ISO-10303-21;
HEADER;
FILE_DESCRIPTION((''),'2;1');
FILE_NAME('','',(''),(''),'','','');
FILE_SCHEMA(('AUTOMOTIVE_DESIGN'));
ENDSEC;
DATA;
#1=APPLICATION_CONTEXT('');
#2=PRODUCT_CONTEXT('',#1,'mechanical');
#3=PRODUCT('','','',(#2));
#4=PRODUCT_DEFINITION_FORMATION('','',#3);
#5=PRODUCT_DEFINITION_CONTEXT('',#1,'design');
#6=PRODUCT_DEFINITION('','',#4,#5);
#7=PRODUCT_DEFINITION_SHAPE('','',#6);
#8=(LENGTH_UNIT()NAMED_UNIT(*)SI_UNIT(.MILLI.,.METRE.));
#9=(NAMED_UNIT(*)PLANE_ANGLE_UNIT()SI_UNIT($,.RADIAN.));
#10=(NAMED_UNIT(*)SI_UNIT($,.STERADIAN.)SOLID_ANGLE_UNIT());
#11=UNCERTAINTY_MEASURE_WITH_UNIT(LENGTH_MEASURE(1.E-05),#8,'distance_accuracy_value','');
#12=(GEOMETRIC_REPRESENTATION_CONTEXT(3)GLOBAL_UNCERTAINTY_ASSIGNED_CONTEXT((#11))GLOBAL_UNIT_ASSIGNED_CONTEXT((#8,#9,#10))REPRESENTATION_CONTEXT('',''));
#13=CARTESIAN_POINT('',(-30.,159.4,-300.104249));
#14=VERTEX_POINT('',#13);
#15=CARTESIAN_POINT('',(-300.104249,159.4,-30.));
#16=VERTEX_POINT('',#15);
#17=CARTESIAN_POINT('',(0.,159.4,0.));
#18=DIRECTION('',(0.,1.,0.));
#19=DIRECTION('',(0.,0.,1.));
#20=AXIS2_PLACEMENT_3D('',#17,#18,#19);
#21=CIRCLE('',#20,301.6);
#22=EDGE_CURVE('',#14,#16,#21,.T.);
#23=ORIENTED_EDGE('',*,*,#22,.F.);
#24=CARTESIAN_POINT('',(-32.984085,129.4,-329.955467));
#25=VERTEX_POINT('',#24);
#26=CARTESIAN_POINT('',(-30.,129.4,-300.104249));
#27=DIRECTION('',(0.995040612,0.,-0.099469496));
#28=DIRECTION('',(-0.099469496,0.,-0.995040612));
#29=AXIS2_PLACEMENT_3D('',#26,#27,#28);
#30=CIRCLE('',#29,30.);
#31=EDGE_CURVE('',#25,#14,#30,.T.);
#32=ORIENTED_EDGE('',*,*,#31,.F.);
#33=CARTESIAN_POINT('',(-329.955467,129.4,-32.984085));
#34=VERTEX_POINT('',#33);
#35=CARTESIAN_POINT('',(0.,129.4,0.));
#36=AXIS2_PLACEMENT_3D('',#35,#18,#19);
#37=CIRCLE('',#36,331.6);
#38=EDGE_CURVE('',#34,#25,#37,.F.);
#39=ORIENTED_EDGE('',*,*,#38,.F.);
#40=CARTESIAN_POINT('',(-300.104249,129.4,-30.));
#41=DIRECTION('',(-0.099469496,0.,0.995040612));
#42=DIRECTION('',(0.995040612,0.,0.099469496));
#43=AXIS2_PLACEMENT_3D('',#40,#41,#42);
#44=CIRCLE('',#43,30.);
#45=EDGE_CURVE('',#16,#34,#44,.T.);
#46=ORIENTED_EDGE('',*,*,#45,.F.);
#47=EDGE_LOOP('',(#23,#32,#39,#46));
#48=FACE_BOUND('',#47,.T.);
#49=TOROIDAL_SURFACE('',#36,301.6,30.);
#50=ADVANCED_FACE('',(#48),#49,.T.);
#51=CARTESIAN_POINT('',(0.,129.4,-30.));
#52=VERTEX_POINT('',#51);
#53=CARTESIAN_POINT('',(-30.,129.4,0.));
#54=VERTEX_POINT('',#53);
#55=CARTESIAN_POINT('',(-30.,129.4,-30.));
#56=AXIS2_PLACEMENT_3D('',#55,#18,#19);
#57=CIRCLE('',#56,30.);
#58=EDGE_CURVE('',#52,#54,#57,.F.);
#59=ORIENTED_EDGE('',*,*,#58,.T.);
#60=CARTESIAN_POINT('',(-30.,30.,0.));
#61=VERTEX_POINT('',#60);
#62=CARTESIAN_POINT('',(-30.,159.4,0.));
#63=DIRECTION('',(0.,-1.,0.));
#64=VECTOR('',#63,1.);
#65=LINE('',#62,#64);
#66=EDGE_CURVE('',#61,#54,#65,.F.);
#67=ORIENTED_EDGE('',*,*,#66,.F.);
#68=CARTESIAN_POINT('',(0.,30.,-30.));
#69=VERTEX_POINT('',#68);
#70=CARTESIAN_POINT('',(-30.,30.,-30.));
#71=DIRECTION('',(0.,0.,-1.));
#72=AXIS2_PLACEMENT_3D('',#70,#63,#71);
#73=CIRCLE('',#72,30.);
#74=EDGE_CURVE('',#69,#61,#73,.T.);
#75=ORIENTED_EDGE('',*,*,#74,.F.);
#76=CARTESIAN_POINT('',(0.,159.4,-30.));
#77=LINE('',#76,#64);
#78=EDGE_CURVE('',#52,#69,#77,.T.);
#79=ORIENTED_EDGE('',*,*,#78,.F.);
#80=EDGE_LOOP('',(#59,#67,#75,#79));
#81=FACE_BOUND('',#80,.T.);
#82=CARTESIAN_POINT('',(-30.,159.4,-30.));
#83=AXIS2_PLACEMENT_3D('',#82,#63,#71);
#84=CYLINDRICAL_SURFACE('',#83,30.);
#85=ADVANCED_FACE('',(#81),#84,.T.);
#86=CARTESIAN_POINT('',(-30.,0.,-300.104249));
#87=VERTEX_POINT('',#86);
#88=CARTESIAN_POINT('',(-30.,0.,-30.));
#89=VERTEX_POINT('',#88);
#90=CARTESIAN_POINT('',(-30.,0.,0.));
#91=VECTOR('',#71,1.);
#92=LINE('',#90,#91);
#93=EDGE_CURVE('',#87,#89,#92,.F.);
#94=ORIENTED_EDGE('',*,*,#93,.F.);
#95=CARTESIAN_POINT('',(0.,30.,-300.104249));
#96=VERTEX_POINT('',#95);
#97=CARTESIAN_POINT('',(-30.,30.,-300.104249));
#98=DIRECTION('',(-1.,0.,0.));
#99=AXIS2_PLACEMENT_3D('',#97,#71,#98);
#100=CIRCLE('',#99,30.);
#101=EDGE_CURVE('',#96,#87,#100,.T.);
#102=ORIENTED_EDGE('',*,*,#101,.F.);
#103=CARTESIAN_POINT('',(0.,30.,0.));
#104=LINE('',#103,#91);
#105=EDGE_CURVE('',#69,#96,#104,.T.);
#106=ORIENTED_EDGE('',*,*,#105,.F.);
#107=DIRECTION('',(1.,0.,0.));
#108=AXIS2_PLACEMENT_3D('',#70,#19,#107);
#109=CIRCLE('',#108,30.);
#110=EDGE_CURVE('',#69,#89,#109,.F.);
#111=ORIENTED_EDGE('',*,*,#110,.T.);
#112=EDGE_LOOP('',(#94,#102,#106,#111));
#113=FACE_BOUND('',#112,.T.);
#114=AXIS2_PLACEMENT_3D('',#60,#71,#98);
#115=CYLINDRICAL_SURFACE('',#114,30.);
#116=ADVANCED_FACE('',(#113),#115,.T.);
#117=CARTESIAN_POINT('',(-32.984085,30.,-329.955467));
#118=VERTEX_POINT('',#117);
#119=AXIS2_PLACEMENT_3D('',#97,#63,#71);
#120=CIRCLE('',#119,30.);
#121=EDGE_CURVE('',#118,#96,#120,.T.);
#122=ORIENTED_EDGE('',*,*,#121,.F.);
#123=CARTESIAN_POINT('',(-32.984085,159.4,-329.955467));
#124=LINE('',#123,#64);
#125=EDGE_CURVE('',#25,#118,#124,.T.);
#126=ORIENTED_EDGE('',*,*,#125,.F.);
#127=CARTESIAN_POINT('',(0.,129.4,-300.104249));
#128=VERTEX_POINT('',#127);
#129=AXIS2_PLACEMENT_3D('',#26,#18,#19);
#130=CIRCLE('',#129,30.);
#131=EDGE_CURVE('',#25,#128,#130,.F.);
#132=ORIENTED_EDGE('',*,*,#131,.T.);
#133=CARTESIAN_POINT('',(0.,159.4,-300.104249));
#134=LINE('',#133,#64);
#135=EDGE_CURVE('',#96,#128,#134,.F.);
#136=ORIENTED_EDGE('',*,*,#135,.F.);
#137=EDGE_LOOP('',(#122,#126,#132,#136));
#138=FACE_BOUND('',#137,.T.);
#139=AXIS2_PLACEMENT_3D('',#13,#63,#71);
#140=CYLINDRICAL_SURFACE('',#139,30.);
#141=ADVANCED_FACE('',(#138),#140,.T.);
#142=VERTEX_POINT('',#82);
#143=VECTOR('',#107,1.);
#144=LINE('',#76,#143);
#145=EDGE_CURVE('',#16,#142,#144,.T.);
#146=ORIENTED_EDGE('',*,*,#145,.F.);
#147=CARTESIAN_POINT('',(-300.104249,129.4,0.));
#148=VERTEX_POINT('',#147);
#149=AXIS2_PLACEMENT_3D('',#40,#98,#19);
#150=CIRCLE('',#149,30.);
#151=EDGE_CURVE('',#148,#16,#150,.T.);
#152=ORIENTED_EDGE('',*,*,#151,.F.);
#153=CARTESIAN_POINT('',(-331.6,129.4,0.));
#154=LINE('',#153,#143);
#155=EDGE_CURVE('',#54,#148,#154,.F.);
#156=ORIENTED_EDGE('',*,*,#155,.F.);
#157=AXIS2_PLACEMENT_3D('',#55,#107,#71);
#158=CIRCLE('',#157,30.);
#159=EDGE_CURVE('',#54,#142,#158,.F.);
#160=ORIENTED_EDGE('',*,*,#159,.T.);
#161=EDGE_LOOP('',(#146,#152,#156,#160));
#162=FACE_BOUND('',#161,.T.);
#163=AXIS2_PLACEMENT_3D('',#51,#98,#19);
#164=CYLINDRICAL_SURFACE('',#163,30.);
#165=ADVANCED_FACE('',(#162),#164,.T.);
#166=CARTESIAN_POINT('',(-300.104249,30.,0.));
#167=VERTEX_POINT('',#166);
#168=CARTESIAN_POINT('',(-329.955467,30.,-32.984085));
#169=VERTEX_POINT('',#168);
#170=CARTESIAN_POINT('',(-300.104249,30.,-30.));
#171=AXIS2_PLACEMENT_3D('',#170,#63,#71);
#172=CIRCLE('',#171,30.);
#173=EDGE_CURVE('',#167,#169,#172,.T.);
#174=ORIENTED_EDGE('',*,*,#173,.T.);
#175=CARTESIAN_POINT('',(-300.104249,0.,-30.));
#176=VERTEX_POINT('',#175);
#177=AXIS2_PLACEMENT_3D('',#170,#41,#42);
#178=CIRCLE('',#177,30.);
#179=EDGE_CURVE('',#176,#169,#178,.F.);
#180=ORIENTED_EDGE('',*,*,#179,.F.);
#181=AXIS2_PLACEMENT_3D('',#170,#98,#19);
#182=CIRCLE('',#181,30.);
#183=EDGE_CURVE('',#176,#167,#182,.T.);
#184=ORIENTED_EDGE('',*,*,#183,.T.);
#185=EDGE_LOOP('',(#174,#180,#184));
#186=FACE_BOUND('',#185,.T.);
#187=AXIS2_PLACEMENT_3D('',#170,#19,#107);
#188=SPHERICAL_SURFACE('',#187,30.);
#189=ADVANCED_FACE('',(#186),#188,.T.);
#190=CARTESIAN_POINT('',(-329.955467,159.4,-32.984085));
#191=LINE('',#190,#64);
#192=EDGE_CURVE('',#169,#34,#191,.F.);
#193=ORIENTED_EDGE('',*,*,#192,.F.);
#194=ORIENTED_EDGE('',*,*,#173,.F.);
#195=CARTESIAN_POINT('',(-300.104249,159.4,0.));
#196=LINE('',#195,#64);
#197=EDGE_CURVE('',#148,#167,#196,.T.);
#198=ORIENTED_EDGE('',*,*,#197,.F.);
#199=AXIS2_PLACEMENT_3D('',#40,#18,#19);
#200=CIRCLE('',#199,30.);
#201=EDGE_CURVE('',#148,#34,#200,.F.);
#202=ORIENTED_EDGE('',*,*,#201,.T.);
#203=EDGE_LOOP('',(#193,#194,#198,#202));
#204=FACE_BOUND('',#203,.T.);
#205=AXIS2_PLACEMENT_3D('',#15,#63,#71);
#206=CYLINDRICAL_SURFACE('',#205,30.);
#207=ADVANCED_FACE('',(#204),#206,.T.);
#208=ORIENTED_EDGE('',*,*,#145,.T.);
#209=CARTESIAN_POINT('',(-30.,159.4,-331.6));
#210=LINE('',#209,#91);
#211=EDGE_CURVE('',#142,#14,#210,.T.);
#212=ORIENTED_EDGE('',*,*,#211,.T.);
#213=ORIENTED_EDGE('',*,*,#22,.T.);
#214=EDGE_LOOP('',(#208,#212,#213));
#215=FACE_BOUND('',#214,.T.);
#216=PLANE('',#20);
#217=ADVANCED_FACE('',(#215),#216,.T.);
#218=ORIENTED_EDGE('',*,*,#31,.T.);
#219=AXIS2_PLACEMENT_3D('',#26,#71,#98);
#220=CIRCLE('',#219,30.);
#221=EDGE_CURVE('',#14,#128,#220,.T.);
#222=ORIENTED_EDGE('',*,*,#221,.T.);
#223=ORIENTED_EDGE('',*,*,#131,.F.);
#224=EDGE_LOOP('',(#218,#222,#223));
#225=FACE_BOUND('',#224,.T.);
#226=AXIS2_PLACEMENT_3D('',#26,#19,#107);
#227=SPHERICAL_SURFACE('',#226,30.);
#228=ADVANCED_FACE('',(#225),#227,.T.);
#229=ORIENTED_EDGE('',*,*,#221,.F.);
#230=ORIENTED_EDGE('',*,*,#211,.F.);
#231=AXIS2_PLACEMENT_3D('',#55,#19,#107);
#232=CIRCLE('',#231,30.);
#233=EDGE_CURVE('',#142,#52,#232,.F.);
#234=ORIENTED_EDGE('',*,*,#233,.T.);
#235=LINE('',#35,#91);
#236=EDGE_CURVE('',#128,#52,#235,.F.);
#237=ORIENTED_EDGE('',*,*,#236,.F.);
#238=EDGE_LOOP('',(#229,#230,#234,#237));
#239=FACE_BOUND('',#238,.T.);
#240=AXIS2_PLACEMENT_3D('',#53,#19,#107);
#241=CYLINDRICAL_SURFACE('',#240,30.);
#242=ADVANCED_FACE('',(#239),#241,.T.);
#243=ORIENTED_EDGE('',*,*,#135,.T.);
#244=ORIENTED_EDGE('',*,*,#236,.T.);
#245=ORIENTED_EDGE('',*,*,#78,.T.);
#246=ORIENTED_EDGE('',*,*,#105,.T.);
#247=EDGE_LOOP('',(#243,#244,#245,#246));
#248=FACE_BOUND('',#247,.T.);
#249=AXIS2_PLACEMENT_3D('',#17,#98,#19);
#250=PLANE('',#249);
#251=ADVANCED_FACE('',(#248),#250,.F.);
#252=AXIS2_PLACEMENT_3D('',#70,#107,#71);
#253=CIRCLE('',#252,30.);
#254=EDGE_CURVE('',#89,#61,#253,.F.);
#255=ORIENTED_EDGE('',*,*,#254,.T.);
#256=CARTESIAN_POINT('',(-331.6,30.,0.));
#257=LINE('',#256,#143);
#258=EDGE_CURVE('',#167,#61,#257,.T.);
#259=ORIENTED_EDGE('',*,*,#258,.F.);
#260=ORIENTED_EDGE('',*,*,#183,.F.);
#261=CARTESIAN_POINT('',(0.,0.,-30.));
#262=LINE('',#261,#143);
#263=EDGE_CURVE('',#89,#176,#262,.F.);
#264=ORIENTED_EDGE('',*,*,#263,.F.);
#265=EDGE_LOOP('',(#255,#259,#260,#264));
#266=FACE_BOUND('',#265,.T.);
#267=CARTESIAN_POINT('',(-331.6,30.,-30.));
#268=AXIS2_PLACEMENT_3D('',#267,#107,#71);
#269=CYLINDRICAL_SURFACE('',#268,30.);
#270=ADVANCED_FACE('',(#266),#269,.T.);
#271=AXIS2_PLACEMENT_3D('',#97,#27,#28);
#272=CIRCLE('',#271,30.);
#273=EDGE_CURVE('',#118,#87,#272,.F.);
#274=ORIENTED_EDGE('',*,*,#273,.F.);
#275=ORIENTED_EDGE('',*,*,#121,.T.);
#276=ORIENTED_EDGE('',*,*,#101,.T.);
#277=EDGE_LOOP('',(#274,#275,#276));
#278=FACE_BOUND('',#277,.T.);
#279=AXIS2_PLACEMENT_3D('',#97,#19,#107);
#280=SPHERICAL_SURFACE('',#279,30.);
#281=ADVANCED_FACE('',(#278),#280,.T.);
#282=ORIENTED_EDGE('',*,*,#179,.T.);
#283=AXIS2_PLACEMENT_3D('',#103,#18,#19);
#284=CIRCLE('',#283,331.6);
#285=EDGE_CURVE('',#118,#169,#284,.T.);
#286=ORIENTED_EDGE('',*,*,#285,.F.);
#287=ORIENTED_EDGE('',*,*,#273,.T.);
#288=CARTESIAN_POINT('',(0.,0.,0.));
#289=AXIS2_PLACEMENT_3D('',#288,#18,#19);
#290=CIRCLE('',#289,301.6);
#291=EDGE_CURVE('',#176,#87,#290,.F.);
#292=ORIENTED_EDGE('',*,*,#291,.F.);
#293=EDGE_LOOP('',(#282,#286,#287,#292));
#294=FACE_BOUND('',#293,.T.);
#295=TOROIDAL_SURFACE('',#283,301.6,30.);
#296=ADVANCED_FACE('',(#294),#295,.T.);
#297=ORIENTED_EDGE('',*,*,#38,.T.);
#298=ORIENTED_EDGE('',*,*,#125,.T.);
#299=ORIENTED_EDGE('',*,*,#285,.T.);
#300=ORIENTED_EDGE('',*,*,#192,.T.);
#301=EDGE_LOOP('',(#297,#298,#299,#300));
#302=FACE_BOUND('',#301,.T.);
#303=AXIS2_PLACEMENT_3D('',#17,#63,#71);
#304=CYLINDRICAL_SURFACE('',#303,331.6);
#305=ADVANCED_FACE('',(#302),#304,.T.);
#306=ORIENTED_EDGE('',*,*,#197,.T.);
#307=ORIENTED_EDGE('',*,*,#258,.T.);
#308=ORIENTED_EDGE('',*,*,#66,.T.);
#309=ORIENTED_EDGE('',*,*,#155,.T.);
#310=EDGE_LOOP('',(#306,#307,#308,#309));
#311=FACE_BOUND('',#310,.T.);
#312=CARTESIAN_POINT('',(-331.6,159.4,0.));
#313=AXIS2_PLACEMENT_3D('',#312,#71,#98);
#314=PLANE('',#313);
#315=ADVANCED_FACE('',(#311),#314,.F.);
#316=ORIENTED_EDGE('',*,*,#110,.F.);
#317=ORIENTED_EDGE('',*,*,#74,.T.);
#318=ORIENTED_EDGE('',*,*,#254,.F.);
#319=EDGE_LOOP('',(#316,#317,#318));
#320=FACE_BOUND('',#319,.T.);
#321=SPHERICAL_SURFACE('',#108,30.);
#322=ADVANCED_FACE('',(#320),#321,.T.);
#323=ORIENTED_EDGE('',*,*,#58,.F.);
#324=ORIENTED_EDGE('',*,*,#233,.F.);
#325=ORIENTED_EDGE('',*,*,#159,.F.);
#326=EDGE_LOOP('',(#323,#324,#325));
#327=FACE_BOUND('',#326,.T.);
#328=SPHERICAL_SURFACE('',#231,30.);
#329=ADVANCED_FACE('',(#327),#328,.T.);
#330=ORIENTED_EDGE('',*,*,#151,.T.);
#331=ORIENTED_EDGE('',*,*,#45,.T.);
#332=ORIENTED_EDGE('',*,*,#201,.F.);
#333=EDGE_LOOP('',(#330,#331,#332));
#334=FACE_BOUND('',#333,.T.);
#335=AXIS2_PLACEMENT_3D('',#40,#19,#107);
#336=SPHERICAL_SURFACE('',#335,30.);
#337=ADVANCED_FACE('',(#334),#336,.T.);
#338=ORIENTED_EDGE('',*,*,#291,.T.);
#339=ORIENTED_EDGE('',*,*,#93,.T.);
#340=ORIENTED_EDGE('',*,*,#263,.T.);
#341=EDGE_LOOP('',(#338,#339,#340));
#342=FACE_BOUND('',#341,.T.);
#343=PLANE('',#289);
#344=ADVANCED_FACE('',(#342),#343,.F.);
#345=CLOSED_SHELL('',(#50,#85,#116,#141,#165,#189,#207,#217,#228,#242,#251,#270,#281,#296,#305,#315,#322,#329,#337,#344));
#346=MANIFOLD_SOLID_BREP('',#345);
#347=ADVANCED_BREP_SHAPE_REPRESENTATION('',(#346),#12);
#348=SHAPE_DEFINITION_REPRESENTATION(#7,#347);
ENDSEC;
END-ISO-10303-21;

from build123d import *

# Parameters (mm, degrees)
BOSS_EXTRUDE1_DEPTH = 159.4
FILLET1_R           = 30


with BuildPart() as part:
    # Sketch1 → Boss-Extrude1 (new body)
    with BuildSketch(Plane(origin=(0, 0, 0), x_dir=(1, 0, 0), z_dir=(0, 1, 0))):
        with BuildLine():
            Line((-331.6, 0), (0, 0))
            Line((0, 0), (0, 331.6))
            ThreePointArc((0, 331.6), (-234.476608641, 234.476608641), (-331.6, 0))
        make_face()
    extrude(amount=BOSS_EXTRUDE1_DEPTH)

    # Fillet1
    fillet1_edges = [part.edges().sort_by_distance(p)[0] for p in [
        (-165.8, 159.4, 0),
        (-165.8, 0, 0),
        (-234.476608641, 0, -234.476608641),
        (0, 0, -165.8),
        (0, 159.4, -165.8),
        (0, 79.7, 0),
        (-331.6, 79.7, 0),
        (0, 79.7, -331.6),
        (-234.476608641, 159.4, -234.476608641),
    ]]
    fillet(fillet1_edges, radius=FILLET1_R)


solid = part.part
